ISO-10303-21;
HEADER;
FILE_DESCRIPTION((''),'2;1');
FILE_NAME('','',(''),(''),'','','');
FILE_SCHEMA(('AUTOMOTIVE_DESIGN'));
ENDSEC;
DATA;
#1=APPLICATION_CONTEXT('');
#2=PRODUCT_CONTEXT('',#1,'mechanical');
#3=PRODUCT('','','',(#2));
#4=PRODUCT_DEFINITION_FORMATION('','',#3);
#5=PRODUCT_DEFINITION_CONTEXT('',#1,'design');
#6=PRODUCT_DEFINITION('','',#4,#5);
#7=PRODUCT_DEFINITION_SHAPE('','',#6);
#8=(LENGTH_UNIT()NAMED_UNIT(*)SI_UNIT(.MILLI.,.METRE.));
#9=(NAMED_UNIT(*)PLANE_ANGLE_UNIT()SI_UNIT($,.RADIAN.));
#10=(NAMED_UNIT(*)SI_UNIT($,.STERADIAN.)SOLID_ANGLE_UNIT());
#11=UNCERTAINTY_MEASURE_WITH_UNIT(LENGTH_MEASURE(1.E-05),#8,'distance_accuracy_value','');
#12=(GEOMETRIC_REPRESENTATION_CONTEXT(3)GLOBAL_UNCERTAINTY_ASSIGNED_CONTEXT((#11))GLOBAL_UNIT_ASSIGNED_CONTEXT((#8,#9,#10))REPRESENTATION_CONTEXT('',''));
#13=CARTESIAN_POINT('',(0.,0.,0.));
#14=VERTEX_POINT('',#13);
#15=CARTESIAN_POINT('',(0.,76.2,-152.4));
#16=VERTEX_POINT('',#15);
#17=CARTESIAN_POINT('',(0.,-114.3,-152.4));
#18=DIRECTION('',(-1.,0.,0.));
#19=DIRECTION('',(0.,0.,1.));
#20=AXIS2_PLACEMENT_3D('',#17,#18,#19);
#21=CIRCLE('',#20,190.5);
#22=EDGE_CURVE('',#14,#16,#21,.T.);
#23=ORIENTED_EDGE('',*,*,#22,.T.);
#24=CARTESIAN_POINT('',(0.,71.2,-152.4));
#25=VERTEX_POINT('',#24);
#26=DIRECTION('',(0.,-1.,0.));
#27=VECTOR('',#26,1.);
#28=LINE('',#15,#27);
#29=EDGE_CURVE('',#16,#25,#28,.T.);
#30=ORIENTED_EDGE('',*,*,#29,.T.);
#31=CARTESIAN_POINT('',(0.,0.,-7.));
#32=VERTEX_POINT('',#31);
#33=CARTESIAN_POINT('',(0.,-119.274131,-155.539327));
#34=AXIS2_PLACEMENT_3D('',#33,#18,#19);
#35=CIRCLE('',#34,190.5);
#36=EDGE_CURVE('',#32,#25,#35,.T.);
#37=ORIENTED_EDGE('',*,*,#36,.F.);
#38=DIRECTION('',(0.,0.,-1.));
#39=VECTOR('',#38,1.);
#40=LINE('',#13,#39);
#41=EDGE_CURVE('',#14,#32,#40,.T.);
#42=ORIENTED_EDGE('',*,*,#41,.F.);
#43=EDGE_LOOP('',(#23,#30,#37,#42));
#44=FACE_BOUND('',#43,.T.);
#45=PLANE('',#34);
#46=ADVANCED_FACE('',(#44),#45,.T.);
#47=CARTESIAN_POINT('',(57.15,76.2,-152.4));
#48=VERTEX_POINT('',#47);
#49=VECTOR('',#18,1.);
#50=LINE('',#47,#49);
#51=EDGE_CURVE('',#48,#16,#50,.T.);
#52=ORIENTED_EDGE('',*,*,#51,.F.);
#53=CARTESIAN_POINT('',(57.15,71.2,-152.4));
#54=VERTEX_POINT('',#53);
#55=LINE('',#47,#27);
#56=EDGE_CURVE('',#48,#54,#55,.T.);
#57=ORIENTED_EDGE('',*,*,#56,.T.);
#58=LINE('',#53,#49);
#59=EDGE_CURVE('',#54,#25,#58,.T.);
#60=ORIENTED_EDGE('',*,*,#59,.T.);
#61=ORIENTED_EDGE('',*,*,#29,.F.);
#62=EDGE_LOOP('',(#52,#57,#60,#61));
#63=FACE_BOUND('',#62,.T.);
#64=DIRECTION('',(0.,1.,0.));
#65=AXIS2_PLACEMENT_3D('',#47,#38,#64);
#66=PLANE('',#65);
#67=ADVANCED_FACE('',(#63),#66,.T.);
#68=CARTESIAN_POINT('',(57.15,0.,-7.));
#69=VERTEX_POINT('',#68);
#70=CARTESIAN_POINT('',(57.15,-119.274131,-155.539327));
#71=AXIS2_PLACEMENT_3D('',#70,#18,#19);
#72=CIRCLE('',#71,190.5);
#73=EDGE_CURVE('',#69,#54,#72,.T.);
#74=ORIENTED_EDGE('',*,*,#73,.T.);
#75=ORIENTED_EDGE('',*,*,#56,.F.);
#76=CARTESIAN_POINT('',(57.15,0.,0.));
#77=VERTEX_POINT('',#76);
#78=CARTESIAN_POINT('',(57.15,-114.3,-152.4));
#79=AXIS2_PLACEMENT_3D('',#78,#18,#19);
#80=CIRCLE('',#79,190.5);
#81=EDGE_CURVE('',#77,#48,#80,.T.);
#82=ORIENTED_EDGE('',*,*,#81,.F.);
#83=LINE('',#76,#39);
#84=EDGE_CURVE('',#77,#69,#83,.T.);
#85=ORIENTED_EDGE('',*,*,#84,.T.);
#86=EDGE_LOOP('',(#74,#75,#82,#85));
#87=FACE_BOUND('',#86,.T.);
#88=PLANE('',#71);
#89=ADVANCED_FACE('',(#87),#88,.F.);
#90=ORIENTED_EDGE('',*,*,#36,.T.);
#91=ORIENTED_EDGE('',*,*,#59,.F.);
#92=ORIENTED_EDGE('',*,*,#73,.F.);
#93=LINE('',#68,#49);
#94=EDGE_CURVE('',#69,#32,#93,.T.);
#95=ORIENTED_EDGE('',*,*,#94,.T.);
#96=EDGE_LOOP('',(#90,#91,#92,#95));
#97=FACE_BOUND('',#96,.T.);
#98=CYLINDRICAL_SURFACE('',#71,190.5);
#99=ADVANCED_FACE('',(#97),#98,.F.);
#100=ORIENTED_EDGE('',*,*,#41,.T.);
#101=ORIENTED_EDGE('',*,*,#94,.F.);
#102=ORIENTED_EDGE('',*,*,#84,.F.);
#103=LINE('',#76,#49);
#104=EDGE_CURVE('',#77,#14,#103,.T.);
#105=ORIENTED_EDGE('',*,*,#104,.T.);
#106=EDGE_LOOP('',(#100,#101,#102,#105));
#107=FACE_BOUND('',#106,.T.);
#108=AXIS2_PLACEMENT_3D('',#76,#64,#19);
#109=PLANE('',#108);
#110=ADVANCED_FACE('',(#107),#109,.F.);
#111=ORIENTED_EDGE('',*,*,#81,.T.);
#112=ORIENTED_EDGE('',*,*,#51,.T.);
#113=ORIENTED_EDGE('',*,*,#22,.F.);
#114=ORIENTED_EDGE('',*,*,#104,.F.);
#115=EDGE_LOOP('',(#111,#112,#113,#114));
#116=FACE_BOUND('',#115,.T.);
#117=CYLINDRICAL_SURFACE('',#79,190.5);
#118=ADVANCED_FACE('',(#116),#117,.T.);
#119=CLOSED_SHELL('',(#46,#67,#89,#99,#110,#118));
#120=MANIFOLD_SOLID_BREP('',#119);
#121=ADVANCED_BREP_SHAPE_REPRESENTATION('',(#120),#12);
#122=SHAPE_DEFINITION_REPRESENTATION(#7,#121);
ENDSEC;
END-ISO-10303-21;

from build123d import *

# Parameters (mm, degrees)
BOSS_EXTRUDE1_DEPTH = 57.15


with BuildPart() as part:
    # Sketch2 → Boss-Extrude1 (new body)
    with BuildSketch(Plane(origin=(0, 0, 0), x_dir=(0, 0, -1), z_dir=(1, 0, 0))):
        with BuildLine():
            Line((152.4, 76.2), (152.4, 71.2))
            ThreePointArc((152.4, 71.2), (71.760072283, 51.81440295), (7, 0))
            Line((7, 0), (0, 0))
            ThreePointArc((0, 0), (67.205810057, 56.088379885), (152.4, 76.2))
        make_face()
    extrude(amount=BOSS_EXTRUDE1_DEPTH)


solid = part.part
